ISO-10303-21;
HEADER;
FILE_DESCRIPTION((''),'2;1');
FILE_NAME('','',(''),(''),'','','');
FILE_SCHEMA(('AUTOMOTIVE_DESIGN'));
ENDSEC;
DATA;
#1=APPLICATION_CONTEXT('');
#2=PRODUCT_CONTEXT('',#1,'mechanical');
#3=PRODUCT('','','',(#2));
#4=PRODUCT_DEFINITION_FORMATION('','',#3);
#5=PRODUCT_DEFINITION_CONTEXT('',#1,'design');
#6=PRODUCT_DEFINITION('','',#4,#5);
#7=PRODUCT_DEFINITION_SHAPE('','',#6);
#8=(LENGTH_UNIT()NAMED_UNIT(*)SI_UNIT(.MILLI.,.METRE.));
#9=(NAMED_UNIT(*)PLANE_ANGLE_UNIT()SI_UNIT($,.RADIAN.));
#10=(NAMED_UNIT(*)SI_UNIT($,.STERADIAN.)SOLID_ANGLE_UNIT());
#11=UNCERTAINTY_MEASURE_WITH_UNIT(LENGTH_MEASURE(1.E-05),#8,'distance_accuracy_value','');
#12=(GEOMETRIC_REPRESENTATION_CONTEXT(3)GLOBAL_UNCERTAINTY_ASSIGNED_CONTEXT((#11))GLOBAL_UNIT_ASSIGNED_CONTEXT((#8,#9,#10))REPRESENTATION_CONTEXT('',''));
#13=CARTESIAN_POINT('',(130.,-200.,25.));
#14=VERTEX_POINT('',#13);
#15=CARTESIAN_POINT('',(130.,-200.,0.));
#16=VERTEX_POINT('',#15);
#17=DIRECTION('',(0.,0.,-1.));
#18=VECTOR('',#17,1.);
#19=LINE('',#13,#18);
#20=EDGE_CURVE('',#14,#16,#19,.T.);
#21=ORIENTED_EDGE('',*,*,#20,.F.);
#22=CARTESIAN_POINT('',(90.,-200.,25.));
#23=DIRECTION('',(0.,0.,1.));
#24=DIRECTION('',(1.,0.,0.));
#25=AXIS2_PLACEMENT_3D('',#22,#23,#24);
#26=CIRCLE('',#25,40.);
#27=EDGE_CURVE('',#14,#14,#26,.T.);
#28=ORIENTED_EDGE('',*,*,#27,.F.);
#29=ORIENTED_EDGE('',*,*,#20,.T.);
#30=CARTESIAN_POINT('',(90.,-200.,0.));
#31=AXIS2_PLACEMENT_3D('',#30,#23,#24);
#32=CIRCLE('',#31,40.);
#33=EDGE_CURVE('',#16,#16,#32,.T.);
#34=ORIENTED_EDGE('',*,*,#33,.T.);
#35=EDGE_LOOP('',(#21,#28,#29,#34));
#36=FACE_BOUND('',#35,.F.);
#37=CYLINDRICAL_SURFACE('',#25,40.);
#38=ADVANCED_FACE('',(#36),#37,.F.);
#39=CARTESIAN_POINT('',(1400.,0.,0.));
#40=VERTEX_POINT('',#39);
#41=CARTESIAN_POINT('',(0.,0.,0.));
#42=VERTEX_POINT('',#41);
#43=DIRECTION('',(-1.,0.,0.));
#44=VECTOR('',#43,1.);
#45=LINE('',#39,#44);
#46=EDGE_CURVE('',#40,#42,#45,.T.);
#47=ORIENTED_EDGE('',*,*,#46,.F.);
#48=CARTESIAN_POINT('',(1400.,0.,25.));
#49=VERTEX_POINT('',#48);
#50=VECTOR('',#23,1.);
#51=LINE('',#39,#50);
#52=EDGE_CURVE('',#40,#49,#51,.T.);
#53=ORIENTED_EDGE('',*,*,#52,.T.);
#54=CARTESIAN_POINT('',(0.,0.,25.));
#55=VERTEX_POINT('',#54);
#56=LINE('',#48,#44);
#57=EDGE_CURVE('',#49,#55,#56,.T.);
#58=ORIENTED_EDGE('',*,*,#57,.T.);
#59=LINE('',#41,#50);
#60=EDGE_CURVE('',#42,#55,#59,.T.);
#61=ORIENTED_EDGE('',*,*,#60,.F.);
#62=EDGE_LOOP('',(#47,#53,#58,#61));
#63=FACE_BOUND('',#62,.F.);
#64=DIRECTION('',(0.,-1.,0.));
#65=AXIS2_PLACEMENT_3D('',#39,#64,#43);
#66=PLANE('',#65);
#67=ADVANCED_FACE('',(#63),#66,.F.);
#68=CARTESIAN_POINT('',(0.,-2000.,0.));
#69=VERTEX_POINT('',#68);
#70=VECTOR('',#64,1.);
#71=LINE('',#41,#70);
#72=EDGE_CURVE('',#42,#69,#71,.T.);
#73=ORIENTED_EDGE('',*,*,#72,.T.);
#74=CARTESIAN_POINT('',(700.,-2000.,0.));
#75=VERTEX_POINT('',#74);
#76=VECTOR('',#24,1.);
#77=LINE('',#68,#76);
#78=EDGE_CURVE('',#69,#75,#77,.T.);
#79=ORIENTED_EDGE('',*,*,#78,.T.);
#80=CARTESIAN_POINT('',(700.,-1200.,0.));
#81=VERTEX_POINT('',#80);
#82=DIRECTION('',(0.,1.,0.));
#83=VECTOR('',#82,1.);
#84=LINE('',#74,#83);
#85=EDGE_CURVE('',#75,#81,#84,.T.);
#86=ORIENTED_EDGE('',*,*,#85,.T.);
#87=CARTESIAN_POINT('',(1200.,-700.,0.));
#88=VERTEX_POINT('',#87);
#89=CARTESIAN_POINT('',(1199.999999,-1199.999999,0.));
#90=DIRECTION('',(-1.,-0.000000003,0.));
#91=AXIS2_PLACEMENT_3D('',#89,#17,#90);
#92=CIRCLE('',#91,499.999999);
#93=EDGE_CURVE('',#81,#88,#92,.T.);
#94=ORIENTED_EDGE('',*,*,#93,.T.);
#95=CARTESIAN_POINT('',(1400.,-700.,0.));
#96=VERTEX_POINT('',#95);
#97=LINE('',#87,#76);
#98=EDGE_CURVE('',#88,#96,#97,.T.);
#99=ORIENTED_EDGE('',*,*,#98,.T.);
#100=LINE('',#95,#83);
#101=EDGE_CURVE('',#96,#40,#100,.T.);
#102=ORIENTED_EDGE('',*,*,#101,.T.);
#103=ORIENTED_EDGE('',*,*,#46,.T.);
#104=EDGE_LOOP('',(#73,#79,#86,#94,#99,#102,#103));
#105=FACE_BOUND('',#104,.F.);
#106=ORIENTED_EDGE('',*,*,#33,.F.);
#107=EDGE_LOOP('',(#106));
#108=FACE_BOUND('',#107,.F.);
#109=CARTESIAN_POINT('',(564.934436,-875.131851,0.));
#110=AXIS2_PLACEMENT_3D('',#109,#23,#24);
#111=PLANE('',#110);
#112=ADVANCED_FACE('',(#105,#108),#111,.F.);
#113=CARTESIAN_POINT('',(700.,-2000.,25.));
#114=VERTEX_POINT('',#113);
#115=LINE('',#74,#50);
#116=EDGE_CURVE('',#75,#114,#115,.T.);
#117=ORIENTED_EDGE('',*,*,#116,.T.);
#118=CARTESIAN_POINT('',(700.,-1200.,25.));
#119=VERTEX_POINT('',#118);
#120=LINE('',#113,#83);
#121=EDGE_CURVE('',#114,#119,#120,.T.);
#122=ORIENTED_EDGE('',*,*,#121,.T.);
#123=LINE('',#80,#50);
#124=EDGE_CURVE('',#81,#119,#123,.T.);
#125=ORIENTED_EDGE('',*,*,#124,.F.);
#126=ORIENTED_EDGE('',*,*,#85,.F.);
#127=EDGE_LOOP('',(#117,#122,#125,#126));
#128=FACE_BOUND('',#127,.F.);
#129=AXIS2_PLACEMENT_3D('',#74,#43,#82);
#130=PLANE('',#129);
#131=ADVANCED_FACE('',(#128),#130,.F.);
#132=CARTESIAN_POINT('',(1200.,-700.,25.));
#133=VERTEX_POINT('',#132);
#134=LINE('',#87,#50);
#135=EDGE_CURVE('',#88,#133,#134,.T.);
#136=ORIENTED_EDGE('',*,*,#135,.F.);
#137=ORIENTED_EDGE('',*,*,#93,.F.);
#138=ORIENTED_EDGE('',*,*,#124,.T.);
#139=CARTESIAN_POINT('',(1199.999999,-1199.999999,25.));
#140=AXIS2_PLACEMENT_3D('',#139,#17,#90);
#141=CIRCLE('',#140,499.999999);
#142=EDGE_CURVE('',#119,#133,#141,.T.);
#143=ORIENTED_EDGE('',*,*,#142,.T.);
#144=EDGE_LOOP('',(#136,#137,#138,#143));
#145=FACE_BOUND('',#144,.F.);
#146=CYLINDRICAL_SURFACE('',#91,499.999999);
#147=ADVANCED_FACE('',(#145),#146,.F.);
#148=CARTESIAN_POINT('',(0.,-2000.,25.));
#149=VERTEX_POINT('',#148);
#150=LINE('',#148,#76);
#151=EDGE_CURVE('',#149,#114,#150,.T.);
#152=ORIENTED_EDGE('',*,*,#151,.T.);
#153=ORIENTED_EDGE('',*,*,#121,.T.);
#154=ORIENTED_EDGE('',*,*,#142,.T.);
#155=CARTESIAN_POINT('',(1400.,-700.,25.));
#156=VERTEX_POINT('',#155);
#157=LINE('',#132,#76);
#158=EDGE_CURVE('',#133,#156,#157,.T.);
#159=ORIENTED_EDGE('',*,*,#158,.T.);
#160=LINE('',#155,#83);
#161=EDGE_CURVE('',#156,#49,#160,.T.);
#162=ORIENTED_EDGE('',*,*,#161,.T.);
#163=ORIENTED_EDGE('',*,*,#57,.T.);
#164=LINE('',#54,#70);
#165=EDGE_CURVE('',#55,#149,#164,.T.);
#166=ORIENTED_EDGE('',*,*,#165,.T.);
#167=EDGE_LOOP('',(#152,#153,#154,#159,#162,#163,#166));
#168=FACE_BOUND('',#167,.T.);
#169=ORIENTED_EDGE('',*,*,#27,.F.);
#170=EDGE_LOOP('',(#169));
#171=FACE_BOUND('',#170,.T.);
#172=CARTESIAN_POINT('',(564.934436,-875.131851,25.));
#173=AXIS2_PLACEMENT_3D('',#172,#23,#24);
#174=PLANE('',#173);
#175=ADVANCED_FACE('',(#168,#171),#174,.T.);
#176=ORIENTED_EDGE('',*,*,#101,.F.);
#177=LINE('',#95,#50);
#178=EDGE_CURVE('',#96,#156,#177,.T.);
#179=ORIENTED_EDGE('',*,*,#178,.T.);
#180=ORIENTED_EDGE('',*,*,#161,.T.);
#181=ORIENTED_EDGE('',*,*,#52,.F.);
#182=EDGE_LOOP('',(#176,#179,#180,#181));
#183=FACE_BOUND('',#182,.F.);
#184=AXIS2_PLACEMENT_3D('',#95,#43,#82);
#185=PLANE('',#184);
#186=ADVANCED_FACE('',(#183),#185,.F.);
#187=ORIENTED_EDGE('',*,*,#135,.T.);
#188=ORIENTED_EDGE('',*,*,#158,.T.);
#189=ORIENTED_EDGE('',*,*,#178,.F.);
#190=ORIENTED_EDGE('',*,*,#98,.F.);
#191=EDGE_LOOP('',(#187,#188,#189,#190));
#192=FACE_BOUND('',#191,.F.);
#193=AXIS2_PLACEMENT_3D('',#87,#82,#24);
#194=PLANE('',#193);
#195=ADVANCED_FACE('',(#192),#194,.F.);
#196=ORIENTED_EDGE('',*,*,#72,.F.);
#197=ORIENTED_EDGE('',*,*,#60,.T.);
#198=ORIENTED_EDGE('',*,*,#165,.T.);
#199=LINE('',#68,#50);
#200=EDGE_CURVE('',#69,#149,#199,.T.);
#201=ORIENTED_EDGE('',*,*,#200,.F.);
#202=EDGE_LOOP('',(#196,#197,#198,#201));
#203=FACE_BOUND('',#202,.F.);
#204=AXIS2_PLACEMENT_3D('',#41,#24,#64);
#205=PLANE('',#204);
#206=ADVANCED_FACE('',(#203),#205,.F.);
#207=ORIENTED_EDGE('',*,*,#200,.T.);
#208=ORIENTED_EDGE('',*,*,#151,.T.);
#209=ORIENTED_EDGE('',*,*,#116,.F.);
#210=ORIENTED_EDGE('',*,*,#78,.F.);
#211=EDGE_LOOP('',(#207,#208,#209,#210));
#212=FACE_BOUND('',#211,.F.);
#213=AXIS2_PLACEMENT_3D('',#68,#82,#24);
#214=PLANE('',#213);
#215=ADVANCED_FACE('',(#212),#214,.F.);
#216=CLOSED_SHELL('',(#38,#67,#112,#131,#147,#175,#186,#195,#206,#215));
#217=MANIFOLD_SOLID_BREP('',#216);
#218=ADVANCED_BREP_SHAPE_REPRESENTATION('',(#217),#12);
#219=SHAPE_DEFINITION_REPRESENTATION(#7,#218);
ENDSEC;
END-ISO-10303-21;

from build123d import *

# Parameters (mm, degrees)
F1_DEPTH = 25
F2_R     = 40
F3_DEPTH = 25


with BuildPart() as f1:
    # F0 (on Top) → F1 (new body)
    with BuildSketch(Plane.XY):
        with BuildLine():
            Line((1400, 0), (0, 0))
            Line((0, 0), (0, -2000))
            Line((0, -2000), (700, -2000))
            Line((700, -2000), (700, -1200))
            ThreePointArc((700, -1200), (846.446609, -846.446609), (1200, -700))
            Line((1200, -700), (1400, -700))
            Line((1400, -700), (1400, 0))
        make_face()
    extrude(amount=F1_DEPTH)

    # F2 (on face) → F3 (cut, through all)
    with BuildSketch(Plane.XY.offset(25)):
        with Locations((90, -200)):
            Circle(F2_R)
    extrude(amount=-F3_DEPTH, mode=Mode.SUBTRACT)


solid = f1.part
